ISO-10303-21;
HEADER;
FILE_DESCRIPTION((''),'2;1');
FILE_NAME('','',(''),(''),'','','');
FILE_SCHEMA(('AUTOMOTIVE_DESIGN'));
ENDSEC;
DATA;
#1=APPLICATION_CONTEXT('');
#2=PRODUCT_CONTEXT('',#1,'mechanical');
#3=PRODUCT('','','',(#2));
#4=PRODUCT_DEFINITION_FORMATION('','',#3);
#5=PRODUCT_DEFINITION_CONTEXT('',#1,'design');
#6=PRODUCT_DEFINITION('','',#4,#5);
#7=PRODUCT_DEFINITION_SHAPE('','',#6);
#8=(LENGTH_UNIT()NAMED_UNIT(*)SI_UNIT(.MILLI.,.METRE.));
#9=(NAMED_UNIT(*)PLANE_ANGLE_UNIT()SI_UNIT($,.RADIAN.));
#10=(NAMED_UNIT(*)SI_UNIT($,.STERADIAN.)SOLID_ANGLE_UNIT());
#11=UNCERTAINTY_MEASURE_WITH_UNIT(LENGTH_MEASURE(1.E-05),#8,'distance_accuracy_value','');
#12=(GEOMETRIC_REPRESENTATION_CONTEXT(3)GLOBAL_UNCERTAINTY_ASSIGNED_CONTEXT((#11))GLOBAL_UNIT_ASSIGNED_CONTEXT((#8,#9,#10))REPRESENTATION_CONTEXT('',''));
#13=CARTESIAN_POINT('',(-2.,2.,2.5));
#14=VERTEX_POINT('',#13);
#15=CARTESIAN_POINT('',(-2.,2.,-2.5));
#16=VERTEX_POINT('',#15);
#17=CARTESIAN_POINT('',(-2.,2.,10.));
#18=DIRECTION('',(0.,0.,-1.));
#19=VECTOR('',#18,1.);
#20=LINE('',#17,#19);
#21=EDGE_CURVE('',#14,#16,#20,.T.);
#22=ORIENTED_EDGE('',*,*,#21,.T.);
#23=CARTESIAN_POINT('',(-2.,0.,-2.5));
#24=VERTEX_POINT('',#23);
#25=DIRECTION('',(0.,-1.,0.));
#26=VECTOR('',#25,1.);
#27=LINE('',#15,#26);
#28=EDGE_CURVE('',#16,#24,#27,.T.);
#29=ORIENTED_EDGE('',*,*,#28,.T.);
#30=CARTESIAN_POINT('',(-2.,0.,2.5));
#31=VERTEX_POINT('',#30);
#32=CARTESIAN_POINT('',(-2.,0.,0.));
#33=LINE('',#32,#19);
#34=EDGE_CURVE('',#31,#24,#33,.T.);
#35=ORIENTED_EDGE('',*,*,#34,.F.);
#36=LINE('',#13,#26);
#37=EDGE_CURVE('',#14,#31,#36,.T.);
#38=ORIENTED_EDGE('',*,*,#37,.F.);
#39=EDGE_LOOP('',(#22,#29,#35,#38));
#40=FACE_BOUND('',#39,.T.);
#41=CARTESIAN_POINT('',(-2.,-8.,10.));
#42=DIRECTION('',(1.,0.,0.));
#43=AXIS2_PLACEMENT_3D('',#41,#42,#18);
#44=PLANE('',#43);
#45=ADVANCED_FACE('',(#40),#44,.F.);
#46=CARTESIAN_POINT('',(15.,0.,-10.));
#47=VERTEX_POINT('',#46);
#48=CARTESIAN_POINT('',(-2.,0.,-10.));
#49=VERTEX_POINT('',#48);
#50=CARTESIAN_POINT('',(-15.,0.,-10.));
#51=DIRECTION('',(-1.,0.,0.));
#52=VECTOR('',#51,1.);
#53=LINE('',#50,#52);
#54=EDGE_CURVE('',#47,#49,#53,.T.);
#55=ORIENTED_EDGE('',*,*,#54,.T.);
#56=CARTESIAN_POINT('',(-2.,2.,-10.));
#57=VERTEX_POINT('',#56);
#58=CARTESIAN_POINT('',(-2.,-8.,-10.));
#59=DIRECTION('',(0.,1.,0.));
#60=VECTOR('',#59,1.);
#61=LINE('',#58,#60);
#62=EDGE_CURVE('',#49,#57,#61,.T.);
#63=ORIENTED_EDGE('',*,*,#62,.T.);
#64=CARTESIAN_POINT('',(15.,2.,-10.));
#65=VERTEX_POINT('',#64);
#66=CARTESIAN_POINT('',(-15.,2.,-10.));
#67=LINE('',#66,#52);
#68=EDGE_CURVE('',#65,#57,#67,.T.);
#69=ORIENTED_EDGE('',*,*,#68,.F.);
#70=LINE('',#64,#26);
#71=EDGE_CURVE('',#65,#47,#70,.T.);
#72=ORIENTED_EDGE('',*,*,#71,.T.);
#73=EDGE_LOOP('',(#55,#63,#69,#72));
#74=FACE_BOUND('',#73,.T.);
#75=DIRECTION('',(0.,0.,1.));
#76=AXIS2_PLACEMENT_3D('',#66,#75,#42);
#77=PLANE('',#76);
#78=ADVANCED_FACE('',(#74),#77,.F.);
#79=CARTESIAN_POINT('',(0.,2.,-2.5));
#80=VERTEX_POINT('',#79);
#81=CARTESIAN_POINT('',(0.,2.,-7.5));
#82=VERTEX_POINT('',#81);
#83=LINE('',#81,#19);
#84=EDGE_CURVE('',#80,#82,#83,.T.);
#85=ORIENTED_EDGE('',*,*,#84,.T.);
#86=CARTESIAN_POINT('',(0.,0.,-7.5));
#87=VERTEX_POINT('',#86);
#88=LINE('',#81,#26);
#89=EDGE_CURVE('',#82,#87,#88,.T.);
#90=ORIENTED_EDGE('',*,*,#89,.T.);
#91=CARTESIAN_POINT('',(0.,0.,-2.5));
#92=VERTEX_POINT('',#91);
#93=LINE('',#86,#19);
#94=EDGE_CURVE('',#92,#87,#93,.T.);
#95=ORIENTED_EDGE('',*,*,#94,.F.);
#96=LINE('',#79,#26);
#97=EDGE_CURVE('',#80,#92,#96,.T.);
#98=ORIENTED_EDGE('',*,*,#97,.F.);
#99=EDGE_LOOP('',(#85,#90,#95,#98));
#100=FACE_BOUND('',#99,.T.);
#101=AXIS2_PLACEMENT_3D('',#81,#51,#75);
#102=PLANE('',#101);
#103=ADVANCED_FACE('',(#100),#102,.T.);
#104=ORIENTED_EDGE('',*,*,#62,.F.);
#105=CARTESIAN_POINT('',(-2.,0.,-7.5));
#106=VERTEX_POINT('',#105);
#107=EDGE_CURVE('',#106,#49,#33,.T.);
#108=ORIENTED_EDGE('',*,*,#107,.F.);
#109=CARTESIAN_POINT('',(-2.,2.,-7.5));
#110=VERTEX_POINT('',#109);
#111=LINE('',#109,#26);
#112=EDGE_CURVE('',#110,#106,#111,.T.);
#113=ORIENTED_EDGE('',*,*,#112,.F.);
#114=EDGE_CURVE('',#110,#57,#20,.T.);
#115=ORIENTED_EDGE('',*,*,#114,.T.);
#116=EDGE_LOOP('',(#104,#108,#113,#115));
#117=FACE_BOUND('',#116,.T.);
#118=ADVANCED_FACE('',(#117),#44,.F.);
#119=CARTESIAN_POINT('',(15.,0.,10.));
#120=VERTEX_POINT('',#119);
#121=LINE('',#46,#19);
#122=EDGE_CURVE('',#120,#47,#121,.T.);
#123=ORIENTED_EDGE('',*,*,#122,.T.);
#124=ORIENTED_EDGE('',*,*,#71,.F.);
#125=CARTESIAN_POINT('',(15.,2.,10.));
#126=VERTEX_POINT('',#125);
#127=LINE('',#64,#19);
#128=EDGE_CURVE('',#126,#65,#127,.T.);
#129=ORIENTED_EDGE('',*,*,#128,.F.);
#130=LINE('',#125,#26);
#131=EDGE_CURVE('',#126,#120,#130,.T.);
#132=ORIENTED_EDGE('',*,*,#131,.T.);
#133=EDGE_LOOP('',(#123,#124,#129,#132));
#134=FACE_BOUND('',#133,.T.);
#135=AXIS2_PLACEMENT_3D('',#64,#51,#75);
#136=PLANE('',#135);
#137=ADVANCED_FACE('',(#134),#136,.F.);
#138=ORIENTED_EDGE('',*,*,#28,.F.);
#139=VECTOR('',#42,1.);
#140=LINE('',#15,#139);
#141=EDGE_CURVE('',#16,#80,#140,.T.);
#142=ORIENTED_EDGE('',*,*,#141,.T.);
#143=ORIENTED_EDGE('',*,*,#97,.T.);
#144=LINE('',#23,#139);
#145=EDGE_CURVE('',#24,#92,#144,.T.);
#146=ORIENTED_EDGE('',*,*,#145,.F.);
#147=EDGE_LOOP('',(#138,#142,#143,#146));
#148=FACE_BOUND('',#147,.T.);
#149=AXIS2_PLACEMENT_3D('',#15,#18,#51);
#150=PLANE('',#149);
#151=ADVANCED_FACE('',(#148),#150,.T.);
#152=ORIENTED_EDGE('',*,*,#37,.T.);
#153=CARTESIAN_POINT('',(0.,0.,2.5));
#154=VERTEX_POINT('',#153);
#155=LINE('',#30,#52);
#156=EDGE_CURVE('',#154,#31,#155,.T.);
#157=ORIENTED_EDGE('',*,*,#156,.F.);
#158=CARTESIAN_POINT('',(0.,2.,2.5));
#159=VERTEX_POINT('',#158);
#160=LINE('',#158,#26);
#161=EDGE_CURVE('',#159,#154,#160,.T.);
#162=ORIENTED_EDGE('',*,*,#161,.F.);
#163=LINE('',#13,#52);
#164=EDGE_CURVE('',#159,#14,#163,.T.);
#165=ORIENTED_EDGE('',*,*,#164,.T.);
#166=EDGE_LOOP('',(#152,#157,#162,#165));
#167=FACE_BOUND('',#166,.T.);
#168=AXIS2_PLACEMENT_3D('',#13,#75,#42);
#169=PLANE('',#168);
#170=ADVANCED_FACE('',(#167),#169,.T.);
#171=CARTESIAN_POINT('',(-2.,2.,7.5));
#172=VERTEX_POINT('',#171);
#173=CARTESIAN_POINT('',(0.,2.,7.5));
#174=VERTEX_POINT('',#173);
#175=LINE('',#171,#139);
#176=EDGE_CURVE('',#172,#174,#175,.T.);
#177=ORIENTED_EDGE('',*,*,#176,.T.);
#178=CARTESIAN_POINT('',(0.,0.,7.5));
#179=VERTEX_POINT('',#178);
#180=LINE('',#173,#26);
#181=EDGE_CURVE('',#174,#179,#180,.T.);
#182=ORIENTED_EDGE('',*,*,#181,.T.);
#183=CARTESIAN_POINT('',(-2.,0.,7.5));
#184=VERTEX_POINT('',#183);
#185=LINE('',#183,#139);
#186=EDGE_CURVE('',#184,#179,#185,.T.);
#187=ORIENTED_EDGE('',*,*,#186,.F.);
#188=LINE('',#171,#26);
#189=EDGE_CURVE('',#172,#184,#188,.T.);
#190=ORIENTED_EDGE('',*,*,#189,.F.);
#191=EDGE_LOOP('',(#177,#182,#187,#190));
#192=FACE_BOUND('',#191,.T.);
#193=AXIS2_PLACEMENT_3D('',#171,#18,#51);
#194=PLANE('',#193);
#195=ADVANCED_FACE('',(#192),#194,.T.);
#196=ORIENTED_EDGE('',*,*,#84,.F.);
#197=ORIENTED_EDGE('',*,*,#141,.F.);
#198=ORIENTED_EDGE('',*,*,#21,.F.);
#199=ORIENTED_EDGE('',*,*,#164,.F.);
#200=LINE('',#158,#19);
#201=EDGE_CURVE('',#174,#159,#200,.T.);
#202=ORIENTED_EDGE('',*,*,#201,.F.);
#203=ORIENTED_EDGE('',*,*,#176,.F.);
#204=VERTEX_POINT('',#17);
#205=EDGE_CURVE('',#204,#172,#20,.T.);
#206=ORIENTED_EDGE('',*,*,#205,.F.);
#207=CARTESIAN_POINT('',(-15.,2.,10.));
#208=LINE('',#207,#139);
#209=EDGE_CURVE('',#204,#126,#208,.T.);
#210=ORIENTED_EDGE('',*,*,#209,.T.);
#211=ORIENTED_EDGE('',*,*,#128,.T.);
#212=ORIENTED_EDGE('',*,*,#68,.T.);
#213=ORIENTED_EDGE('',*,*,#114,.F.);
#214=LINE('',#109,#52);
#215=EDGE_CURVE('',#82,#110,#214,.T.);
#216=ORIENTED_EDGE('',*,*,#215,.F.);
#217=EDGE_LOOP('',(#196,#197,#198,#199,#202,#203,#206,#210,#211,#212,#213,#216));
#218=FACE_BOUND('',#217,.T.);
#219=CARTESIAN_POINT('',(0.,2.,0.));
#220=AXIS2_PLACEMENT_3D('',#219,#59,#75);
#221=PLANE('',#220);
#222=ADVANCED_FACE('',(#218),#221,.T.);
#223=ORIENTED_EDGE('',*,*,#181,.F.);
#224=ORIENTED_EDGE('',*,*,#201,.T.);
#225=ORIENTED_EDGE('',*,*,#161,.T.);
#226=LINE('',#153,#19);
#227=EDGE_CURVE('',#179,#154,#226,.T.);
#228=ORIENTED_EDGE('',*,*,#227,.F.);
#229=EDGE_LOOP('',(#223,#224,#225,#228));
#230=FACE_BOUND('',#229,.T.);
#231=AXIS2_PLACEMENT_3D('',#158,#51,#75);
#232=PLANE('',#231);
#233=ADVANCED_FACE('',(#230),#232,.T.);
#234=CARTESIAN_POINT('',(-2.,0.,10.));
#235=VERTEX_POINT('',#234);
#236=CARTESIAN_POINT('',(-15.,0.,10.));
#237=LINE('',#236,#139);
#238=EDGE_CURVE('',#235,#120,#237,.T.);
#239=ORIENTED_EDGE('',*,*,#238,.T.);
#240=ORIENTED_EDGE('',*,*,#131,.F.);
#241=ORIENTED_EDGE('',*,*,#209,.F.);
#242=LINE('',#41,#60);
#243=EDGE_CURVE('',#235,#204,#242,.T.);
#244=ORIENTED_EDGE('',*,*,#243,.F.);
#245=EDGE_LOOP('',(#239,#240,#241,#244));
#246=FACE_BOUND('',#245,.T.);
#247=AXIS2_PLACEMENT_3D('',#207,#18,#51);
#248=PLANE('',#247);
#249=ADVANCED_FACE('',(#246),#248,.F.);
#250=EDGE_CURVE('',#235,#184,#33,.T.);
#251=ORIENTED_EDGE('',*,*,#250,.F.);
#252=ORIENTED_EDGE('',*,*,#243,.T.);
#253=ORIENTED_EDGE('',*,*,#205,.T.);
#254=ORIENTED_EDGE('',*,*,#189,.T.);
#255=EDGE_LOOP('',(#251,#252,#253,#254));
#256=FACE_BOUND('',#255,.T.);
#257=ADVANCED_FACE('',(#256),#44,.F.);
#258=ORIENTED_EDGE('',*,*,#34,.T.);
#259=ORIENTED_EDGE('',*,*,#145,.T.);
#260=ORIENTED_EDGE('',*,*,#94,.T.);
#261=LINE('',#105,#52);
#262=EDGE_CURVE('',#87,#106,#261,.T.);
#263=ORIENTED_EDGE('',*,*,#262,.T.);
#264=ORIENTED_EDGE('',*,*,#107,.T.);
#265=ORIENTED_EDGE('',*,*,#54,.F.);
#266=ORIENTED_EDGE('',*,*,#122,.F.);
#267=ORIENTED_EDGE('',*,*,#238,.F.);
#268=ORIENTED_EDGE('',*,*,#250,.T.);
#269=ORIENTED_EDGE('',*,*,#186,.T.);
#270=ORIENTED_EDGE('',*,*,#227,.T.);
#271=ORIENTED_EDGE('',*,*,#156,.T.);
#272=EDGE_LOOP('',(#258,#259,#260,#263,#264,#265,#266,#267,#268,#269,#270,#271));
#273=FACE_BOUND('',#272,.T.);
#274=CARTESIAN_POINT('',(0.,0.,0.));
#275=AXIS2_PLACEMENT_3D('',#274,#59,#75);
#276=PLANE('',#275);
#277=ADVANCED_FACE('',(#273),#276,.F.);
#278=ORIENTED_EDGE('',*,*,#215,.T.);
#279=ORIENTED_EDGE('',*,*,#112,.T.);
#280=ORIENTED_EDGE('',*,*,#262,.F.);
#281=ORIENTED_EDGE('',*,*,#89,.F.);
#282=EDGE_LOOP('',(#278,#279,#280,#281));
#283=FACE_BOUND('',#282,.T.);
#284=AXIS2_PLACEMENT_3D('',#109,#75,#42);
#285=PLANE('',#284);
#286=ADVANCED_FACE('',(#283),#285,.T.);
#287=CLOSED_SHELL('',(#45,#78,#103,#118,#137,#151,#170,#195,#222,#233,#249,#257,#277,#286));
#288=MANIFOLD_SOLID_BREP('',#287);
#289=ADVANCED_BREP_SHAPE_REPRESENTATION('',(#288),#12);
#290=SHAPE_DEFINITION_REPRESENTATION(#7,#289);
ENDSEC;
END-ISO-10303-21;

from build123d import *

# Parameters (mm, degrees)
SKETCH1_W           = 30
SKETCH1_H           = 20
SKETCH1_W_2         = 2
SKETCH1_H_2         = 5
BOSS_EXTRUDE1_DEPTH = 2
SKETCH2_R           = 1.5
CUT_EXTRUDE1_DEPTH  = 10
SKETCH3_W           = 13
SKETCH3_H           = 20
CUT_EXTRUDE2_DEPTH  = 10


with BuildPart() as part:
    # Sketch1 → Boss-Extrude1 (new body)
    with BuildSketch(Plane(origin=(0, 0, 0), x_dir=(1, 0, 0), z_dir=(0, 1, 0))):
        Rectangle(SKETCH1_W, SKETCH1_H)
        with Locations((-1, 5)):
            Rectangle(SKETCH1_W_2, SKETCH1_H_2, mode=Mode.SUBTRACT)
        with Locations((-1, -5)):
            Rectangle(SKETCH1_W_2, SKETCH1_H_2, mode=Mode.SUBTRACT)
    extrude(amount=BOSS_EXTRUDE1_DEPTH)

    # Sketch2 → Cut-Extrude1 (cut)
    with BuildSketch(Plane(origin=(0, 2, 0), x_dir=(1, 0, 0), z_dir=(0, 1, 0))):
        with Locations(Location((-10, 5, 0), (0, 0, 270))):
            Circle(SKETCH2_R)
        with Locations(Location((-10, -5, 0), (0, 0, 270))):
            Circle(SKETCH2_R)
    extrude(amount=-CUT_EXTRUDE1_DEPTH, mode=Mode.SUBTRACT)

    # Sketch3 → Cut-Extrude2 (cut)
    with BuildSketch(Plane(origin=(0, 2, 0), x_dir=(1, 0, 0), z_dir=(0, 1, 0))):
        with Locations((-8.5, 0)):
            Rectangle(SKETCH3_W, SKETCH3_H)
    extrude(amount=-CUT_EXTRUDE2_DEPTH, mode=Mode.SUBTRACT)


solid = part.part
